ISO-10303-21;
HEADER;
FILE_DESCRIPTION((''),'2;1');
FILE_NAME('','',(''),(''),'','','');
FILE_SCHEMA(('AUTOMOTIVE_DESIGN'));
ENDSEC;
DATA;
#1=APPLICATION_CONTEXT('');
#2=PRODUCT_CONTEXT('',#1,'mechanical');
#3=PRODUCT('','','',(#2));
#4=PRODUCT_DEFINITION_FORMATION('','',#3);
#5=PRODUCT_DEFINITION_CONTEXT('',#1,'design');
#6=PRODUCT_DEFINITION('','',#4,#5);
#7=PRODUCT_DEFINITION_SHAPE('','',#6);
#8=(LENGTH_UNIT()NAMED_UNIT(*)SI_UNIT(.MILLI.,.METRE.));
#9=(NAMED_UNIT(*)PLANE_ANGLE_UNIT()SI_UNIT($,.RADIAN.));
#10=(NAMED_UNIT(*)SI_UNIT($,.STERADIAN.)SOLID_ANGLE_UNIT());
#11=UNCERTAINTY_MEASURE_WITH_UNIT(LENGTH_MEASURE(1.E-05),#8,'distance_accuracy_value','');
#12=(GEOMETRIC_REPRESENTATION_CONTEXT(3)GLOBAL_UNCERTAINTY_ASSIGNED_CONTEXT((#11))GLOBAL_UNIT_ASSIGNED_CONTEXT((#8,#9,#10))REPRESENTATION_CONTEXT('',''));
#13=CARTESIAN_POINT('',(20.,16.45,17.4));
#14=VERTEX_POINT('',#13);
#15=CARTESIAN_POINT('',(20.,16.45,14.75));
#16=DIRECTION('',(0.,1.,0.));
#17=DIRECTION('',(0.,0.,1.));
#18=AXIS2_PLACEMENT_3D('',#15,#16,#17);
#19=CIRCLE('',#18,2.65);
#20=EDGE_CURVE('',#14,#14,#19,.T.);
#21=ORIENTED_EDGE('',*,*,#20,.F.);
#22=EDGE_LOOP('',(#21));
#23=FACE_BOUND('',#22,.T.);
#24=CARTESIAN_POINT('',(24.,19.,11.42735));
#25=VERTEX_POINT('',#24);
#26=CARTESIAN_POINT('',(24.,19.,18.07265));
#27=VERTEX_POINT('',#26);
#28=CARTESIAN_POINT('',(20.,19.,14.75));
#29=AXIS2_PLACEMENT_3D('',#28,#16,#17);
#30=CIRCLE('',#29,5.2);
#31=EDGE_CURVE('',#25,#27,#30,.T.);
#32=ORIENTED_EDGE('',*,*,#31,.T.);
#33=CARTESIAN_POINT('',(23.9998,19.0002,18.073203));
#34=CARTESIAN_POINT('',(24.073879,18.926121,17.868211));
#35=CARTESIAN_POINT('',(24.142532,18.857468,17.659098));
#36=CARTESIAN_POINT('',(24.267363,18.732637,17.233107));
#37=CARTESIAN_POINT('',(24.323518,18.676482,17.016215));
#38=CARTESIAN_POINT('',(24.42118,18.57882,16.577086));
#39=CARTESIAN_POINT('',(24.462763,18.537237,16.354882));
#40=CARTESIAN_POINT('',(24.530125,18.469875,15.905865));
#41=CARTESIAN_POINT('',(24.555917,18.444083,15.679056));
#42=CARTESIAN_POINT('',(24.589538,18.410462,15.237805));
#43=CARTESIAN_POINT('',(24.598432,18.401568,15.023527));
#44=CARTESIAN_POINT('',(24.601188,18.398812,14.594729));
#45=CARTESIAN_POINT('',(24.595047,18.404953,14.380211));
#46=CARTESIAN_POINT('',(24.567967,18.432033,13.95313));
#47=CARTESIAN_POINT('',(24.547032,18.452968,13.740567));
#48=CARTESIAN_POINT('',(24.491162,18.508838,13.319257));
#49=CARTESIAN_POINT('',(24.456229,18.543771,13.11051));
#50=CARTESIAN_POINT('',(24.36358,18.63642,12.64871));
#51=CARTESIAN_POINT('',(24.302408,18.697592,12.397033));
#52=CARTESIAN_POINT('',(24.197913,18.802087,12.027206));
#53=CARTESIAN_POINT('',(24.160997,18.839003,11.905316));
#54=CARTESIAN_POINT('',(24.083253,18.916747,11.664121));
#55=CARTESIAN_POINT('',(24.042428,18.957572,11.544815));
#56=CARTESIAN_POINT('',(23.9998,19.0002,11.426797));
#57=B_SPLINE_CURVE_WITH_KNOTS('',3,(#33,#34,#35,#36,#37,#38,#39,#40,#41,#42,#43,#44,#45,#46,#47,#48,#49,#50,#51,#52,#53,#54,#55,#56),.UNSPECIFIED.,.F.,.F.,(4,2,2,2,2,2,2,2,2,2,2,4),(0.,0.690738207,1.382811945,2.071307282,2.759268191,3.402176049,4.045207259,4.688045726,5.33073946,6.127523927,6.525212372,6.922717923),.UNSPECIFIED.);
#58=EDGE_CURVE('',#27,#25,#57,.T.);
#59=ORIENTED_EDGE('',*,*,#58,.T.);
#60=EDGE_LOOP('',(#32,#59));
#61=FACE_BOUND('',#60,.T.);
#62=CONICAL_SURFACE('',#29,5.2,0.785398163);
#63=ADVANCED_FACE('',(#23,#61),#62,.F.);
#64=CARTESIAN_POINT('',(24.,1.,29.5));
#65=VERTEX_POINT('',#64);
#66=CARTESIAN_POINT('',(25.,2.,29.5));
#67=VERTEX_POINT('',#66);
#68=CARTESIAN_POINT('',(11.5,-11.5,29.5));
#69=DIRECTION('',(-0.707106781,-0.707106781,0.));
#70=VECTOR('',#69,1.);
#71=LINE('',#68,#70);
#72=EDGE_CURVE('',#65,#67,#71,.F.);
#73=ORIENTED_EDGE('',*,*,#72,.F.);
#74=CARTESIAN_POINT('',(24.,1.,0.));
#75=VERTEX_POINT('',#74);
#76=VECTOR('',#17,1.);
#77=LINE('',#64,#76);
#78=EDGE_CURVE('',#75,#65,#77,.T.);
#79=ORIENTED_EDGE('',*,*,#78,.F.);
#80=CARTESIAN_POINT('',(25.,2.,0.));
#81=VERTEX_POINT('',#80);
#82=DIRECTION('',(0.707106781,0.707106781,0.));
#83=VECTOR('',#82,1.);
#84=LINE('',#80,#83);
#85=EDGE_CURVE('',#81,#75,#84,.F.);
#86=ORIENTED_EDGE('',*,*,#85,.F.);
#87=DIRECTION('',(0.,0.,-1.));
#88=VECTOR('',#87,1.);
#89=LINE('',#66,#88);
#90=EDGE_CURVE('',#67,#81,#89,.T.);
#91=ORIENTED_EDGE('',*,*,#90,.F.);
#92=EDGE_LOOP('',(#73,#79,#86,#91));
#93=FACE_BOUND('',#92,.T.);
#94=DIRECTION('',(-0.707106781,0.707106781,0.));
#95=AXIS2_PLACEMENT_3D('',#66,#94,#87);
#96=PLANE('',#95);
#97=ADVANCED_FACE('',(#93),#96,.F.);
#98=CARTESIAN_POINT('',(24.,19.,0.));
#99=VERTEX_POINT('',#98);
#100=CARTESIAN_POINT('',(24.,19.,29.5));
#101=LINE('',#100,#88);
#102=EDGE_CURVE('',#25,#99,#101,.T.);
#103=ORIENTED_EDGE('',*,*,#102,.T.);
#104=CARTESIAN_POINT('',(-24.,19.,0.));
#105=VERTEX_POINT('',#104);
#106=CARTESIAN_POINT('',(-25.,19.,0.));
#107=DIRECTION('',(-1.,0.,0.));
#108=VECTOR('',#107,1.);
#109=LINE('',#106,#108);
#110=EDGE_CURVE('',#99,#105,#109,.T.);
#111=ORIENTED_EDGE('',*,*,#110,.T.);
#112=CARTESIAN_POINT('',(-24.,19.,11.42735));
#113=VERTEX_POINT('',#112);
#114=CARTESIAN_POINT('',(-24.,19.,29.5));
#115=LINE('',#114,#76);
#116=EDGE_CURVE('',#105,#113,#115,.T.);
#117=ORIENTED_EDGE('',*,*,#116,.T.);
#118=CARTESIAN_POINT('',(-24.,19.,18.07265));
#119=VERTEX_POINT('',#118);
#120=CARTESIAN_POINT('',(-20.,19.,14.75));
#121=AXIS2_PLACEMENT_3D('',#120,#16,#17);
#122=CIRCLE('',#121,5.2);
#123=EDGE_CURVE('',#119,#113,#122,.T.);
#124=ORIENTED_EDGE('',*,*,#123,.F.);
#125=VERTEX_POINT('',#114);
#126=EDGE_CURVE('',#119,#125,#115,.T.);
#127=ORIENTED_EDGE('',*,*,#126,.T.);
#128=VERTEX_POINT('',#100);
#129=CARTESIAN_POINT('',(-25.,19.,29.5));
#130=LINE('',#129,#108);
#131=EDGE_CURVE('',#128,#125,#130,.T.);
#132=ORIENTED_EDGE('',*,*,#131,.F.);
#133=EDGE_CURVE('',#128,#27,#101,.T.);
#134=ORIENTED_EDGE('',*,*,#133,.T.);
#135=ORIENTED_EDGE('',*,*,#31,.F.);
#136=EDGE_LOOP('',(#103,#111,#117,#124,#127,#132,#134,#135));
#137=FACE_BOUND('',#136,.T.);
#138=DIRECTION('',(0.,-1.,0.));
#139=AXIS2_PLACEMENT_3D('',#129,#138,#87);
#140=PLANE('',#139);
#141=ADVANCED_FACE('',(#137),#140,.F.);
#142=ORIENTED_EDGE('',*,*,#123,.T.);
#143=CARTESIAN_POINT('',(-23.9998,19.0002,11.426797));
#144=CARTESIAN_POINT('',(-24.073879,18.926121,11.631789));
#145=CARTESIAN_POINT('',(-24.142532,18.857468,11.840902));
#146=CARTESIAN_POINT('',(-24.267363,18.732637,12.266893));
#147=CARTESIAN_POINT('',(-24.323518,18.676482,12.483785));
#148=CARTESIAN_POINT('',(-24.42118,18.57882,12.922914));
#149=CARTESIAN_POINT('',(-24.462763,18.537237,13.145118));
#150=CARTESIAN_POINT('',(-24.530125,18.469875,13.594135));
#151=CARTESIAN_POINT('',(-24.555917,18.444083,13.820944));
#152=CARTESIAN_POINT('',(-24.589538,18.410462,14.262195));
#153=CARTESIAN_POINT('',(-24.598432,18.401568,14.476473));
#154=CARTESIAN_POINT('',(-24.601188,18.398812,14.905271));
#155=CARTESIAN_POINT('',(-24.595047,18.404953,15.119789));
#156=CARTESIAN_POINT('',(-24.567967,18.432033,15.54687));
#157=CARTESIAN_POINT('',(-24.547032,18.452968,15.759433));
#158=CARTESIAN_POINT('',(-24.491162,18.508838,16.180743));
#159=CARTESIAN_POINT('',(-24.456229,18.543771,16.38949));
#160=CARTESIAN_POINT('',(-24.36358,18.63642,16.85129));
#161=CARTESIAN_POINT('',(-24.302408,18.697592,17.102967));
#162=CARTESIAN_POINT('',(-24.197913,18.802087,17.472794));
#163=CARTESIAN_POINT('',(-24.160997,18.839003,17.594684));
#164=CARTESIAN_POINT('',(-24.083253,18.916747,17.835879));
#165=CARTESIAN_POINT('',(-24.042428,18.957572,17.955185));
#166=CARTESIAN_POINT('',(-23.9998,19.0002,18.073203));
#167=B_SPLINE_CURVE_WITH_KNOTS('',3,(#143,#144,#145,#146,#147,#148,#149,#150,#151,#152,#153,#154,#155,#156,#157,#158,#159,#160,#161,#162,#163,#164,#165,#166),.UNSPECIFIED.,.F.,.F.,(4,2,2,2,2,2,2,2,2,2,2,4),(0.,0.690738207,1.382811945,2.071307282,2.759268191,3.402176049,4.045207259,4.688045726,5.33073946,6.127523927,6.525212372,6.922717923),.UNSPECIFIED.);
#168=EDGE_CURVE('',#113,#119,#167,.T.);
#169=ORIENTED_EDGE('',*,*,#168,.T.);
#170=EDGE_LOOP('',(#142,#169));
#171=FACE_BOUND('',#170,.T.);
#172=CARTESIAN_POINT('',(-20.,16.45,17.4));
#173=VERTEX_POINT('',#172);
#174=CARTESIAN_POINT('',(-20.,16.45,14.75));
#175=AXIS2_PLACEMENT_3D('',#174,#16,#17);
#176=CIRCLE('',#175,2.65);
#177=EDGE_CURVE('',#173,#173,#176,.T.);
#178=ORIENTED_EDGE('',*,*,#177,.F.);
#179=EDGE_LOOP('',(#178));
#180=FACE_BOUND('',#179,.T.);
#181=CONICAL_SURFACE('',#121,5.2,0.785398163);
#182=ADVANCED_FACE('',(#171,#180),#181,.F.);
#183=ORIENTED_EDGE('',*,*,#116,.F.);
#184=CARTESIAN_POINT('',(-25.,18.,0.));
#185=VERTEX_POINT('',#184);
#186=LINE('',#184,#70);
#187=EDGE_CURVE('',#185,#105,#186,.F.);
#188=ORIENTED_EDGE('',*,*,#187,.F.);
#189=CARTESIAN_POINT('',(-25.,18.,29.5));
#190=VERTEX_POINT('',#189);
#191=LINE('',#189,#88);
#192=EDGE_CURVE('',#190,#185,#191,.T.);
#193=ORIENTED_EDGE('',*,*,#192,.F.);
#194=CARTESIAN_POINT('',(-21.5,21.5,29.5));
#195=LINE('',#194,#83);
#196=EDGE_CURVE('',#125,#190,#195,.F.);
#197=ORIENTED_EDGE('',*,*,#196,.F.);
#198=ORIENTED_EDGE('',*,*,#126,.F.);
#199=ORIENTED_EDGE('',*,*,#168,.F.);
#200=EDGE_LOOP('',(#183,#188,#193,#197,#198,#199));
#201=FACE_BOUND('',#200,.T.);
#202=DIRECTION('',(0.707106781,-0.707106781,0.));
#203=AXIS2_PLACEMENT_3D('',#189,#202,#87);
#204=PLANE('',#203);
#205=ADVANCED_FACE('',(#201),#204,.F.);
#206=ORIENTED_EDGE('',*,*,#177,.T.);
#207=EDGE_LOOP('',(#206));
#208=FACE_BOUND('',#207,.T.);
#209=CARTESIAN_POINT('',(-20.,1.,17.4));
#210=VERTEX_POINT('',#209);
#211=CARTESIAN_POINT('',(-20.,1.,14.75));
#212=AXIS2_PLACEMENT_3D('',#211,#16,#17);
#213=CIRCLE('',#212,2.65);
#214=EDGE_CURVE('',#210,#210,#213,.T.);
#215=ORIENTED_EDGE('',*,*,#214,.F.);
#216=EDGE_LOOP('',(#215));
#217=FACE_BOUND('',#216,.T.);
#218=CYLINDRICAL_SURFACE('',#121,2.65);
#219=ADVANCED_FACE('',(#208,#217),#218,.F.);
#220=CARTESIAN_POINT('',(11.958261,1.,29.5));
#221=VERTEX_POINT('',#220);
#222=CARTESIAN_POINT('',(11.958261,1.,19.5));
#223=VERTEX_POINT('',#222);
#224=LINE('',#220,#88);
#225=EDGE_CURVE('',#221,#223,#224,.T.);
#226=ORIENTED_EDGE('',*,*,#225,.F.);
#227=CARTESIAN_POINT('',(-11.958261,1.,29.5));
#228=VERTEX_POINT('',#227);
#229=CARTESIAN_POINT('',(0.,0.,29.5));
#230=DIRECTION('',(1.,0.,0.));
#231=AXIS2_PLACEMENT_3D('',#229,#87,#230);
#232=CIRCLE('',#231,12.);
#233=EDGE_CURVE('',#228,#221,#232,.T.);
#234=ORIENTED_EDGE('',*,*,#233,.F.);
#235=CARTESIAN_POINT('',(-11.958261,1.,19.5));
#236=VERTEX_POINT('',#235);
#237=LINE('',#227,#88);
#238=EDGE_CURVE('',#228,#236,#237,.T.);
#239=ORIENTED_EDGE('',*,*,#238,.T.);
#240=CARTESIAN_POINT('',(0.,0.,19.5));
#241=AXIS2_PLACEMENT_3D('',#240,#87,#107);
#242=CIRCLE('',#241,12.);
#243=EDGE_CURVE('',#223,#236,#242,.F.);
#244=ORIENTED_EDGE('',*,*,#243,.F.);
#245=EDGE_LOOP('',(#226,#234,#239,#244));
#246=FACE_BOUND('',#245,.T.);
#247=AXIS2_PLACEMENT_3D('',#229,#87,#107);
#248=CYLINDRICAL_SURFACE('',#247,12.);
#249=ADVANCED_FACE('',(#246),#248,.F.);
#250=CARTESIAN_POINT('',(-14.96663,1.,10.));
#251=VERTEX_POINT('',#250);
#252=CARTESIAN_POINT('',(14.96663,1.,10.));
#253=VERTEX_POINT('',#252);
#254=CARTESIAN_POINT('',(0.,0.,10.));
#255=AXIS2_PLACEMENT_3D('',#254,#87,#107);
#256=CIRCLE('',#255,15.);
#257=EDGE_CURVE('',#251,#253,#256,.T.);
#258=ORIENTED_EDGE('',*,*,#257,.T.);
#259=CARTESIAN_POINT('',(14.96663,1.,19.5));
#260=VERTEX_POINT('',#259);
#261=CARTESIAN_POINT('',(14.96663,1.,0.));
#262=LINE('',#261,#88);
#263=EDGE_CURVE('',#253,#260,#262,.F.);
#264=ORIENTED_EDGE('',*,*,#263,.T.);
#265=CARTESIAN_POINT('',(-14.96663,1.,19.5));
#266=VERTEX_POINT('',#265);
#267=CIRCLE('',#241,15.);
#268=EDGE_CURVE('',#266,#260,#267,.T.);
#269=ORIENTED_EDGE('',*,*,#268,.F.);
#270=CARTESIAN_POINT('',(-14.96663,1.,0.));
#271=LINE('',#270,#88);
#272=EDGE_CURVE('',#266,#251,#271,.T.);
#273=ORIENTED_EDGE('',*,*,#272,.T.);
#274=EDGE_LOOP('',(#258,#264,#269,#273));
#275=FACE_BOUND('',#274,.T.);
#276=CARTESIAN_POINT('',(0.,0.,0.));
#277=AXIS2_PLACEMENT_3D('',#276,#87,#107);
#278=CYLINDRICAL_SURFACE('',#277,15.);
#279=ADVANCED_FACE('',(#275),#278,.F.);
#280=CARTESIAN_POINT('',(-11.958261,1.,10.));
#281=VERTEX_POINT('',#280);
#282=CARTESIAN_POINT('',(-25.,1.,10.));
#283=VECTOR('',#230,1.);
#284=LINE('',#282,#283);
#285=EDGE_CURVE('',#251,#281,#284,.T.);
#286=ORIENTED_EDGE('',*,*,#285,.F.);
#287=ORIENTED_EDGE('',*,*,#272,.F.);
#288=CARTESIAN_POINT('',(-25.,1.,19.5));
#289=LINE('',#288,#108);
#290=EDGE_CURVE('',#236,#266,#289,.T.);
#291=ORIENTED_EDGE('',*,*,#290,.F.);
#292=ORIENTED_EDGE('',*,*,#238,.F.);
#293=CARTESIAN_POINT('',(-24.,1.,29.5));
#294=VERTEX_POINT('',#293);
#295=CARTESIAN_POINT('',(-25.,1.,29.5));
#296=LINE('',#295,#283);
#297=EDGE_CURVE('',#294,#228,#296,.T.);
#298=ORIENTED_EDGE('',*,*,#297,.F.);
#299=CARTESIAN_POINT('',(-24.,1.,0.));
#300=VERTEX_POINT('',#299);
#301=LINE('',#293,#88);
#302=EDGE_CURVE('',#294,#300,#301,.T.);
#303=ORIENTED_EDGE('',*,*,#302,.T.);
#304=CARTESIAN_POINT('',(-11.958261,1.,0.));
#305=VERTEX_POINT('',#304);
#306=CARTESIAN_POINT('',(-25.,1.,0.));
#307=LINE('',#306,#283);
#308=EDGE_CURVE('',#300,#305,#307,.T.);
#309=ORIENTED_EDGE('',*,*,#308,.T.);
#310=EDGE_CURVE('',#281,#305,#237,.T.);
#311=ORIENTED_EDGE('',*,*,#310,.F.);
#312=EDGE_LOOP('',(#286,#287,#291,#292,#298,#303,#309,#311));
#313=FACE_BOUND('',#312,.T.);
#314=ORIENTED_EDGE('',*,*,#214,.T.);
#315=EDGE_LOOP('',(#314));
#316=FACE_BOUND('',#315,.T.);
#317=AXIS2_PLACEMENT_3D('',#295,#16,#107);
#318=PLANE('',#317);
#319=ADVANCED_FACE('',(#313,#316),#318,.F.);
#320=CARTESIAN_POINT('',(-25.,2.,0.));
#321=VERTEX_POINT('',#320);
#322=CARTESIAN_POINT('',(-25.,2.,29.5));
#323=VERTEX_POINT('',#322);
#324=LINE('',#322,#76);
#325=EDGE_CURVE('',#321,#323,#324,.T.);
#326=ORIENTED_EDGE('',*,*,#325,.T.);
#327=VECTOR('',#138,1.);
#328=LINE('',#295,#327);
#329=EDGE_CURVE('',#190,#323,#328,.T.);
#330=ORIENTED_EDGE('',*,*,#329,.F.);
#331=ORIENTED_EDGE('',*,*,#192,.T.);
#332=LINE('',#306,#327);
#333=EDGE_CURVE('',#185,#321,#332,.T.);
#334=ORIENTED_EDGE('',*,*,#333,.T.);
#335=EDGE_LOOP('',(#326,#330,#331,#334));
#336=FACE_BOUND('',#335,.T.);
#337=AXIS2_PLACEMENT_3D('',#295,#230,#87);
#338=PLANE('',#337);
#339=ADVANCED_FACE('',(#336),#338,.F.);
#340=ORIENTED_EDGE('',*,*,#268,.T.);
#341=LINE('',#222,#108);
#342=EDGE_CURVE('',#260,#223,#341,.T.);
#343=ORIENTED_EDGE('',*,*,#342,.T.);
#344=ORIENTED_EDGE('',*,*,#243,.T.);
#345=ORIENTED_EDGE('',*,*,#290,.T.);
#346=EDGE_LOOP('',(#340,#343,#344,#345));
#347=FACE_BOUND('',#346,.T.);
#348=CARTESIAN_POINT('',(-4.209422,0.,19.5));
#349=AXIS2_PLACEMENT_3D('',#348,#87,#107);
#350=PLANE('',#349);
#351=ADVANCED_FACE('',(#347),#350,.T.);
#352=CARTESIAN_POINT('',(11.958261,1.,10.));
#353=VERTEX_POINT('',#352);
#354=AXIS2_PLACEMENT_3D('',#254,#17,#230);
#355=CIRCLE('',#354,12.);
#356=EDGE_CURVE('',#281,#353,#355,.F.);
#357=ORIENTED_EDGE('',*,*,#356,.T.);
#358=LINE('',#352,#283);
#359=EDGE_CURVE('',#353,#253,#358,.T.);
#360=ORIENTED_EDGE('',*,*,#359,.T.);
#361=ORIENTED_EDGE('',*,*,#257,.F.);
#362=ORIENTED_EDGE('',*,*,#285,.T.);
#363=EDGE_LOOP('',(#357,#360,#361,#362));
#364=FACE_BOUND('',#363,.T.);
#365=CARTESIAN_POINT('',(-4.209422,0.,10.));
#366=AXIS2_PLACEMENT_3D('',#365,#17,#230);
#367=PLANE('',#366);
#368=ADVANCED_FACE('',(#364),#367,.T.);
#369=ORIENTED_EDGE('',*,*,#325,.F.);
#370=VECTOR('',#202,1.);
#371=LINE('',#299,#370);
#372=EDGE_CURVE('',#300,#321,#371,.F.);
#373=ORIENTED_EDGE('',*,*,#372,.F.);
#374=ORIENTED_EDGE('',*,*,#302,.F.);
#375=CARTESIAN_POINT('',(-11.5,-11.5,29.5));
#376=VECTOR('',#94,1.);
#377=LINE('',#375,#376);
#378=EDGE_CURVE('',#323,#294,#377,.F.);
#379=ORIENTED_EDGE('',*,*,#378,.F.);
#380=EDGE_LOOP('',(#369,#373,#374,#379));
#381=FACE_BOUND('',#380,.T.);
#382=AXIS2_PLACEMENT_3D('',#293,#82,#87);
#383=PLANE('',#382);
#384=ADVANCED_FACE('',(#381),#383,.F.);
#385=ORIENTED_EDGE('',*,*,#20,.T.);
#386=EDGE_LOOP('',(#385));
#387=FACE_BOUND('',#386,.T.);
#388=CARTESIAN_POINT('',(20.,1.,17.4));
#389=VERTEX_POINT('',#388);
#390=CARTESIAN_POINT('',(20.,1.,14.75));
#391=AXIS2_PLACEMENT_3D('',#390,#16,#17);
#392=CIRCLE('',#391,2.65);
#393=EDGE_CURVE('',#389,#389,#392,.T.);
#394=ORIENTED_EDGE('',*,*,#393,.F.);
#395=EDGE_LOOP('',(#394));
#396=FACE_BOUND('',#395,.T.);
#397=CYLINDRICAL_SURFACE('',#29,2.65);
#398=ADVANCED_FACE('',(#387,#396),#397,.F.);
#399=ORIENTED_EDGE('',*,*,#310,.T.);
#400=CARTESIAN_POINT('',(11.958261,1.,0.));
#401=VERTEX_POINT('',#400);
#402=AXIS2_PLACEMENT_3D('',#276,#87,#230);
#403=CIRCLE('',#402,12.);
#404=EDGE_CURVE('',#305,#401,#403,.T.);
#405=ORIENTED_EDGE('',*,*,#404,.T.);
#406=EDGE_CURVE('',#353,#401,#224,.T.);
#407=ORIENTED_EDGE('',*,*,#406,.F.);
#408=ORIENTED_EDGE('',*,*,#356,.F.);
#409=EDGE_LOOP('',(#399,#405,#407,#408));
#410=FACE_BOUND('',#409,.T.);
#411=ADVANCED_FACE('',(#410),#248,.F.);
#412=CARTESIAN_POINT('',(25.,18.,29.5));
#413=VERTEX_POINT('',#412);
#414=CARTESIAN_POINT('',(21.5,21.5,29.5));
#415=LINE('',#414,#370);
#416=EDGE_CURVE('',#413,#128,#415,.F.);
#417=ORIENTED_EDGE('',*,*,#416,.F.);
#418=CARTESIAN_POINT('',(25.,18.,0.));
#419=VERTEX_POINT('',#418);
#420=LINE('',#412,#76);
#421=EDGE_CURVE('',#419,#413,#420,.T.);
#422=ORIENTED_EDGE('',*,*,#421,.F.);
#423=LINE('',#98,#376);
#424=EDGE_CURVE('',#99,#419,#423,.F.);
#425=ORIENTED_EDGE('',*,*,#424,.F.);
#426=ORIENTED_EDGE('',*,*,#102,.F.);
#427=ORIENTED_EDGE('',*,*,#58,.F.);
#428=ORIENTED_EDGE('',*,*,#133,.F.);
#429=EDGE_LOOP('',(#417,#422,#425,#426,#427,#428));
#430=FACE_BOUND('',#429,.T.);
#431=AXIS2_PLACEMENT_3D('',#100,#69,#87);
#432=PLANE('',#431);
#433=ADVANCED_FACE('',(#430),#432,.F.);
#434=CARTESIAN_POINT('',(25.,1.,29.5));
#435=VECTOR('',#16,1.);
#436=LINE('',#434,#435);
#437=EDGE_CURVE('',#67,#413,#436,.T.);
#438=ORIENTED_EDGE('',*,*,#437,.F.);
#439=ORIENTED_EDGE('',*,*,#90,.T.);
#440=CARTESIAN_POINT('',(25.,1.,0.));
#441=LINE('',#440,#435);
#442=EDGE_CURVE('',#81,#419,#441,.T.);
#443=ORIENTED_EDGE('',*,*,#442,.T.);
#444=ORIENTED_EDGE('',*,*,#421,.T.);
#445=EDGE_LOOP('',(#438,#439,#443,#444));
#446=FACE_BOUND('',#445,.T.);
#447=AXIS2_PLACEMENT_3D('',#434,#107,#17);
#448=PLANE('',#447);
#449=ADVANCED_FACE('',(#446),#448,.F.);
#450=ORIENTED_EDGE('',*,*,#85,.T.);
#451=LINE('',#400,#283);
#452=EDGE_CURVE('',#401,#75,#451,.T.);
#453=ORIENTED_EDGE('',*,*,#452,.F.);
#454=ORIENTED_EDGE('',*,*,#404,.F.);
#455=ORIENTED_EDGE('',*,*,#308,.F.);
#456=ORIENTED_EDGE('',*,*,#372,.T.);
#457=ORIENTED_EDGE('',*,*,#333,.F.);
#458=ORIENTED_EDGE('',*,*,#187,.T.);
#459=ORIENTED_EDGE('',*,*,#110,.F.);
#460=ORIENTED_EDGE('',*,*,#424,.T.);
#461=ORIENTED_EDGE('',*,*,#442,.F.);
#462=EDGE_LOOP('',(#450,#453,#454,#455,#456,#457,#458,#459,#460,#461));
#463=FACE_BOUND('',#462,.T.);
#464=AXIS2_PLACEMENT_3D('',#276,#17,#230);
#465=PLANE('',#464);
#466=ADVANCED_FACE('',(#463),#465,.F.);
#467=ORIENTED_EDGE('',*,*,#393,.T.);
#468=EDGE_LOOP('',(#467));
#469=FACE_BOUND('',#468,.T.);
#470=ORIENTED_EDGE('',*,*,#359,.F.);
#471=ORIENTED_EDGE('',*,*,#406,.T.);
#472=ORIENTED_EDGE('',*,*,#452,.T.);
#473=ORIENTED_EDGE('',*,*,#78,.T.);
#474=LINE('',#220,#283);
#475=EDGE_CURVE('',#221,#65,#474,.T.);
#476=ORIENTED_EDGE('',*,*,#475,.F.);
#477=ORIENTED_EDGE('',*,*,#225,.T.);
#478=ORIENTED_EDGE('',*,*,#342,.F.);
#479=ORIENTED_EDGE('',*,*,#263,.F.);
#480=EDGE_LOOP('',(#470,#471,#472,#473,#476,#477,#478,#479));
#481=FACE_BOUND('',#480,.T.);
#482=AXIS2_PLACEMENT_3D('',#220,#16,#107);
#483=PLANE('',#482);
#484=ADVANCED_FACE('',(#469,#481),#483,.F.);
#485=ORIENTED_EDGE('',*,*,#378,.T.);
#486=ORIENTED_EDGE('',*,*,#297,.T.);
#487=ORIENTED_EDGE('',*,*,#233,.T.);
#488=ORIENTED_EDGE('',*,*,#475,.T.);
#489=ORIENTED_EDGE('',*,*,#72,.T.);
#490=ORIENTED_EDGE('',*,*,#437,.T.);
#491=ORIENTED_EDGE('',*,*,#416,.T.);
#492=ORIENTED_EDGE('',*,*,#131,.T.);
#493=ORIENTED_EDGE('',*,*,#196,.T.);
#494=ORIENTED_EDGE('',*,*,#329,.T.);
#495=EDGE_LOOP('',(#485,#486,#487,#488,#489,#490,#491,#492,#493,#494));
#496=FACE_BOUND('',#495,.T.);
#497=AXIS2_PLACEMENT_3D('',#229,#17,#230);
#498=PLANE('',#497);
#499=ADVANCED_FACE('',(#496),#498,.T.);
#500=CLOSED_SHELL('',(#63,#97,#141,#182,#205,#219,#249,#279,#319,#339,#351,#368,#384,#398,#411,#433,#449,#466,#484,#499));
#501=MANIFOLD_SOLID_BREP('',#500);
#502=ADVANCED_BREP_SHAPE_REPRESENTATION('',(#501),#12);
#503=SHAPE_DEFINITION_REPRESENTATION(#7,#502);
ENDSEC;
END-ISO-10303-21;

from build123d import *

# Parameters (mm, degrees)
BOSS_EXTRUDE1_DEPTH         = 29.5
CHAMFER1_SIZE               = 1
SKETCH4_W                   = 10.79057785
SKETCH4_H                   = 9.5
HOLE_WIZARD_M51_D           = 5.3
HOLE_WIZARD_M51_CSINK_D     = 10.4
HOLE_WIZARD_M51_CSINK_ANGLE = 90


with BuildPart() as part:
    # Sketch2 → Boss-Extrude1 (new body)
    with BuildSketch(Plane.XY):
        with BuildLine():
            Line((11.958260743, 1), (25, 1))
            Line((25, 1), (25, 19))
            Line((25, 19), (-25, 19))
            Line((-25, 19), (-25, 1))
            Line((-25, 1), (-11.958260743, 1))
            ThreePointArc((-11.958260743, 1), (0, 12), (11.958260743, 1))
        make_face()
    extrude(amount=BOSS_EXTRUDE1_DEPTH)

    # Chamfer1
    chamfer1_edges = [part.edges().sort_by_distance(p)[0] for p in [
        (-25, 19, 14.75),
        (25, 19, 14.75),
        (25, 1, 14.75),
        (-25, 1, 14.75),
    ]]
    chamfer(chamfer1_edges, length=CHAMFER1_SIZE)

    # Sketch4 → Cut-Revolve1 (revolve, cut)
    with BuildSketch(Plane(origin=(0, 0, 0), x_dir=(-1, 0, 0), z_dir=(0, -1, 0))):
        with Locations((9.604711075, -14.75)):
            Rectangle(SKETCH4_W, SKETCH4_H)
    revolve(axis=Axis((0, 0, 0), (0, 0, 1)), mode=Mode.SUBTRACT)

    # Зенковка для  винта с плоской головкой M51 (through all)
    with Locations(Plane(origin=(0, 19, 0), x_dir=(1, 0, 0), z_dir=(0, 1, 0))):
        with Locations((-20, -14.75), (20, -14.75)):
            CounterSinkHole(HOLE_WIZARD_M51_D / 2, HOLE_WIZARD_M51_CSINK_D / 2, counter_sink_angle=HOLE_WIZARD_M51_CSINK_ANGLE)


solid = part.part
